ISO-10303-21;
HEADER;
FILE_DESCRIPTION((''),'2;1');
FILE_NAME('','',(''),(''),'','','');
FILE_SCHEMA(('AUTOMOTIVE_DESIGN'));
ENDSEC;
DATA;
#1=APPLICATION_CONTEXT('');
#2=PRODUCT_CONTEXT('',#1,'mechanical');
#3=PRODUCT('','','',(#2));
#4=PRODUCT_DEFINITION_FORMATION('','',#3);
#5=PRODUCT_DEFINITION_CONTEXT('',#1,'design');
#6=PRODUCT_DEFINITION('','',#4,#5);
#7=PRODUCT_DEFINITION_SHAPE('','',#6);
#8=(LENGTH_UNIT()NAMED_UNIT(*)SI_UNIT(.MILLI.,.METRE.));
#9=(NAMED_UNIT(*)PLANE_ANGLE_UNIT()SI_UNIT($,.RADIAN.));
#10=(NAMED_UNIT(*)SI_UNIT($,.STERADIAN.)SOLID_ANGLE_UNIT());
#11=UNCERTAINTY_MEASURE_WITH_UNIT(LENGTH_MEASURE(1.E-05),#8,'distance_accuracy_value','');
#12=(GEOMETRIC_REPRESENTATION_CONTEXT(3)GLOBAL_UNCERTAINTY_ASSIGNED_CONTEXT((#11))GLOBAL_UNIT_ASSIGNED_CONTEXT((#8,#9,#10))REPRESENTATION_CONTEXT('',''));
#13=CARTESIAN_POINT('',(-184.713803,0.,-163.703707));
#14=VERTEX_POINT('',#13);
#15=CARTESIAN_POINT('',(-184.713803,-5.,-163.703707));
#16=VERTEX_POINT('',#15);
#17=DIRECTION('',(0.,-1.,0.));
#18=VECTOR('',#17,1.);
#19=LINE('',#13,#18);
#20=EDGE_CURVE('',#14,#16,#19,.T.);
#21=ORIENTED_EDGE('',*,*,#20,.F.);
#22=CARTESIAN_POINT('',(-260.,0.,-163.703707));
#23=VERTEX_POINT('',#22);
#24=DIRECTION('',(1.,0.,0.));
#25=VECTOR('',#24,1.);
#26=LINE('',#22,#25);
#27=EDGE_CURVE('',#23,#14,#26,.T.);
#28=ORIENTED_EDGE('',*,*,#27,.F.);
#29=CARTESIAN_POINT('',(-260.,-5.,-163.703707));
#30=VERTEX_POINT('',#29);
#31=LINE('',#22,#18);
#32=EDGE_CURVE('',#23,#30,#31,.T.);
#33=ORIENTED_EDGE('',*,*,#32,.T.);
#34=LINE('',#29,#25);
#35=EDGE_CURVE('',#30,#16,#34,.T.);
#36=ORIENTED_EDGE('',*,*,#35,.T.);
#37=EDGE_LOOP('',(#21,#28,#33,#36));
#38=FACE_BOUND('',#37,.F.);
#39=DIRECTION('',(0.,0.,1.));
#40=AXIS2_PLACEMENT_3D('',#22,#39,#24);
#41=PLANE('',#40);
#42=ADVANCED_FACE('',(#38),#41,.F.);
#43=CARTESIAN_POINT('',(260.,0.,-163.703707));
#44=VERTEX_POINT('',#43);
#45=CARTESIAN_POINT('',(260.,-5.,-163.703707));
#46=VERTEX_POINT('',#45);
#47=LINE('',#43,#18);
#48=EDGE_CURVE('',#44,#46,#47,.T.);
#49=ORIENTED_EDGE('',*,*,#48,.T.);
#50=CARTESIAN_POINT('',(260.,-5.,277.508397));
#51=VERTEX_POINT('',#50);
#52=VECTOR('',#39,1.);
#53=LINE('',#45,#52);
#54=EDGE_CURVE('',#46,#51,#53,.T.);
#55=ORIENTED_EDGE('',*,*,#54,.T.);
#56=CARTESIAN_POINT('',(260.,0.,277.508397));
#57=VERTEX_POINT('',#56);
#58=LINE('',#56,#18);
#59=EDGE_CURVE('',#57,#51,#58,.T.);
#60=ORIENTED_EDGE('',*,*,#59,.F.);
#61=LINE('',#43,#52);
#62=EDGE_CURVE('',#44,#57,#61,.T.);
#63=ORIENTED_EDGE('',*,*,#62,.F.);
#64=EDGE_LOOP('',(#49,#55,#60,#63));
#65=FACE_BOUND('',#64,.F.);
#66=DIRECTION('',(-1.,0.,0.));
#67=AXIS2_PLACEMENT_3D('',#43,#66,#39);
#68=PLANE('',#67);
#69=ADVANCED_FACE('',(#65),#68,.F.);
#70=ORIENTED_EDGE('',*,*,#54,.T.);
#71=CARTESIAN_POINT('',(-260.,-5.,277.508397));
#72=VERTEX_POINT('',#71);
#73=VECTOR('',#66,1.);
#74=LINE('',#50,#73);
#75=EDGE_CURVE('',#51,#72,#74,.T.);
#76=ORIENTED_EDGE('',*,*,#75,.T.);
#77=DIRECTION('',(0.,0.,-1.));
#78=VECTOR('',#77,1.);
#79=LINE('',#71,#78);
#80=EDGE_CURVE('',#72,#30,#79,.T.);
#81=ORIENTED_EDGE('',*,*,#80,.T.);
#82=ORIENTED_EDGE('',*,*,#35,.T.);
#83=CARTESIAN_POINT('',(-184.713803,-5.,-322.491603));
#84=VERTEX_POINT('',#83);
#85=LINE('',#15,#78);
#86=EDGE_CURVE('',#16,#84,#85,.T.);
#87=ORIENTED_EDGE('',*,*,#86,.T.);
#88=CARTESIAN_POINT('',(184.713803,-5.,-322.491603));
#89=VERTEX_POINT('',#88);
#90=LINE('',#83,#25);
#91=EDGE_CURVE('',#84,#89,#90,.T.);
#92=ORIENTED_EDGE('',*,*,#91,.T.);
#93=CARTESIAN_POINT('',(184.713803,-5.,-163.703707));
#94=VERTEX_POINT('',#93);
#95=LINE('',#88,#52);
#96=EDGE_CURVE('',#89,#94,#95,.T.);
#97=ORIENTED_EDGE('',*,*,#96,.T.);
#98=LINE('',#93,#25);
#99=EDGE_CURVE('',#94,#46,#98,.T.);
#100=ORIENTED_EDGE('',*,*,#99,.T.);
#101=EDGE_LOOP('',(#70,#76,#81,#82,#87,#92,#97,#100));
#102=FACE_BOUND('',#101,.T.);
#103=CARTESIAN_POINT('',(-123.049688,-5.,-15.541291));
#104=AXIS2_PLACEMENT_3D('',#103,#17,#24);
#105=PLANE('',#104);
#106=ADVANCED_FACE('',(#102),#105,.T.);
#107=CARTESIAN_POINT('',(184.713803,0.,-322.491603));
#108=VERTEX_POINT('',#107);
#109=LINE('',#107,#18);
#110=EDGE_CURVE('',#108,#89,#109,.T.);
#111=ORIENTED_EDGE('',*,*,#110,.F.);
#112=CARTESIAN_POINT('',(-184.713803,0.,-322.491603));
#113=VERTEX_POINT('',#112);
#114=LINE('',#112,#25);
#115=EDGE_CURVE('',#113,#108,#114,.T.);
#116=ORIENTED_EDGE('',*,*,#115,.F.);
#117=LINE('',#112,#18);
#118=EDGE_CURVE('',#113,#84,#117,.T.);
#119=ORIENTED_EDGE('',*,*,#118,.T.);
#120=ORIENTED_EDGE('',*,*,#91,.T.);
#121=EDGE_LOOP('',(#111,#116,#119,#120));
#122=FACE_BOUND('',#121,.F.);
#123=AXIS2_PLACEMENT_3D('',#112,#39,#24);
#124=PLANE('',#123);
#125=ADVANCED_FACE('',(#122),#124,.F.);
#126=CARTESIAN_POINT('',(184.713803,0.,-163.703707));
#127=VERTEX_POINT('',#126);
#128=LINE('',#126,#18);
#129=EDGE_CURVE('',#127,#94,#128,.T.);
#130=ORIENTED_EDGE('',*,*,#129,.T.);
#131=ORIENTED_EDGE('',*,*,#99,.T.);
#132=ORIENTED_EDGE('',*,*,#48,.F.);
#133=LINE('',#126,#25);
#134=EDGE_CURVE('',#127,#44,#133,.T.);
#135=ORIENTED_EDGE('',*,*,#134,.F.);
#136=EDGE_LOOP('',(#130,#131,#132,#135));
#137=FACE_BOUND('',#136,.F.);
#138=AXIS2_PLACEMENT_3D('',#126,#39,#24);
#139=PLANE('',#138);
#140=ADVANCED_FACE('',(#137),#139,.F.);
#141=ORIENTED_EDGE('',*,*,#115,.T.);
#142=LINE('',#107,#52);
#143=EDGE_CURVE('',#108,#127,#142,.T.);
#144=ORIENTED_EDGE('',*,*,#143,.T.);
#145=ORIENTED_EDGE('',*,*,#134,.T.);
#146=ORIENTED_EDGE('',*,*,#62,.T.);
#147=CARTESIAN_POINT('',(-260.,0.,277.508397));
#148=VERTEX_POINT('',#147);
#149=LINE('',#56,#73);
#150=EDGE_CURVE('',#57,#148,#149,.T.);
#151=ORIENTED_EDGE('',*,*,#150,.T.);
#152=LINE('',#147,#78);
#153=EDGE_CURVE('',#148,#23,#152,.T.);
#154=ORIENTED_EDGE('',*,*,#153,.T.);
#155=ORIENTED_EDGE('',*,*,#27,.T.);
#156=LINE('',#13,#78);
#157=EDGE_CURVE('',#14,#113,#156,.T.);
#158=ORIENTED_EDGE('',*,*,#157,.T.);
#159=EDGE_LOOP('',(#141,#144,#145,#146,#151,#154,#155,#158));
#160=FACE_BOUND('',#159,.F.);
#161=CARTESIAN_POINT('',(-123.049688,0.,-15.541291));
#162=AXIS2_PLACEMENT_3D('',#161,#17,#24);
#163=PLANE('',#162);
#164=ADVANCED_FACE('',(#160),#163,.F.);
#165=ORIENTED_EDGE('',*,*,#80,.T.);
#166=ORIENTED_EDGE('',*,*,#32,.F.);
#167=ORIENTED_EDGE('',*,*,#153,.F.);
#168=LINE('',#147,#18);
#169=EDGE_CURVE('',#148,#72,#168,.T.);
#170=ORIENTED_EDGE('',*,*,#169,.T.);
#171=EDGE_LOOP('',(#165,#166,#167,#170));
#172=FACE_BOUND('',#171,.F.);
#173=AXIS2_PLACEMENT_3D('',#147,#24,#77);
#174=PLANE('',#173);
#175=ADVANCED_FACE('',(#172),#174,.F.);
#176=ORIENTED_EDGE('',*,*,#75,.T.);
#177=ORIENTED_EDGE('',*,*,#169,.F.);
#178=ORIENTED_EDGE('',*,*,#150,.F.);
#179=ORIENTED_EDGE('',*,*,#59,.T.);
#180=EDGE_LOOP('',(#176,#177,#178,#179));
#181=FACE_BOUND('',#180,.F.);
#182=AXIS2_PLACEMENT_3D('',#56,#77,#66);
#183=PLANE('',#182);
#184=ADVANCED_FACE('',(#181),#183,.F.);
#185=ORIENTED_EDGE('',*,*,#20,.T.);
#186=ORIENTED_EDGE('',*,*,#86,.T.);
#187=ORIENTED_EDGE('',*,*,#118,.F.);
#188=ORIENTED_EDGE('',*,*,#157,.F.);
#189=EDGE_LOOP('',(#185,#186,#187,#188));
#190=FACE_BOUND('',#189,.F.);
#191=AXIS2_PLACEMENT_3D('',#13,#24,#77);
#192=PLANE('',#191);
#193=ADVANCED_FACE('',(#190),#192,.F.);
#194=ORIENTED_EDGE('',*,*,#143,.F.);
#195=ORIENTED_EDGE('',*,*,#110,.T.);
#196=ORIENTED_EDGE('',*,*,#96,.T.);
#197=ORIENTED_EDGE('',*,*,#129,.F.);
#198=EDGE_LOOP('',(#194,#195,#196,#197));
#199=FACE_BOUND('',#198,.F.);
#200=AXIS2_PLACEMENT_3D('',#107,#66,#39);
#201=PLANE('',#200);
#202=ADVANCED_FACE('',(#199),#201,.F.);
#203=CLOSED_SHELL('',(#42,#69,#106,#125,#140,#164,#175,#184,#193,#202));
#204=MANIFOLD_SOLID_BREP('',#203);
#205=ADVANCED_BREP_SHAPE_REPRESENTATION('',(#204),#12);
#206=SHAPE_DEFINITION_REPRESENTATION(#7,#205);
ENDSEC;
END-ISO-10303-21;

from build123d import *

# Parameters (mm, degrees)
F1_DEPTH = 5


with BuildPart() as f1:
    # F0 (on Front) → F1 (new body)
    with BuildSketch(Plane.XZ):
        Polygon((-260, 277.508397), (-260, 0), (-260, -163.703707), (-184.713803, -163.703707), (-184.713803, -322.491603), (0, -322.491603), (0, 277.508397), align=None)
        Polygon((260, 277.508397), (0, 277.508397), (0, -322.491603), (184.713803, -322.491603), (184.713803, -163.703707), (260, -163.703707), (260, 0), align=None)
    extrude(amount=F1_DEPTH)


solid = f1.part
